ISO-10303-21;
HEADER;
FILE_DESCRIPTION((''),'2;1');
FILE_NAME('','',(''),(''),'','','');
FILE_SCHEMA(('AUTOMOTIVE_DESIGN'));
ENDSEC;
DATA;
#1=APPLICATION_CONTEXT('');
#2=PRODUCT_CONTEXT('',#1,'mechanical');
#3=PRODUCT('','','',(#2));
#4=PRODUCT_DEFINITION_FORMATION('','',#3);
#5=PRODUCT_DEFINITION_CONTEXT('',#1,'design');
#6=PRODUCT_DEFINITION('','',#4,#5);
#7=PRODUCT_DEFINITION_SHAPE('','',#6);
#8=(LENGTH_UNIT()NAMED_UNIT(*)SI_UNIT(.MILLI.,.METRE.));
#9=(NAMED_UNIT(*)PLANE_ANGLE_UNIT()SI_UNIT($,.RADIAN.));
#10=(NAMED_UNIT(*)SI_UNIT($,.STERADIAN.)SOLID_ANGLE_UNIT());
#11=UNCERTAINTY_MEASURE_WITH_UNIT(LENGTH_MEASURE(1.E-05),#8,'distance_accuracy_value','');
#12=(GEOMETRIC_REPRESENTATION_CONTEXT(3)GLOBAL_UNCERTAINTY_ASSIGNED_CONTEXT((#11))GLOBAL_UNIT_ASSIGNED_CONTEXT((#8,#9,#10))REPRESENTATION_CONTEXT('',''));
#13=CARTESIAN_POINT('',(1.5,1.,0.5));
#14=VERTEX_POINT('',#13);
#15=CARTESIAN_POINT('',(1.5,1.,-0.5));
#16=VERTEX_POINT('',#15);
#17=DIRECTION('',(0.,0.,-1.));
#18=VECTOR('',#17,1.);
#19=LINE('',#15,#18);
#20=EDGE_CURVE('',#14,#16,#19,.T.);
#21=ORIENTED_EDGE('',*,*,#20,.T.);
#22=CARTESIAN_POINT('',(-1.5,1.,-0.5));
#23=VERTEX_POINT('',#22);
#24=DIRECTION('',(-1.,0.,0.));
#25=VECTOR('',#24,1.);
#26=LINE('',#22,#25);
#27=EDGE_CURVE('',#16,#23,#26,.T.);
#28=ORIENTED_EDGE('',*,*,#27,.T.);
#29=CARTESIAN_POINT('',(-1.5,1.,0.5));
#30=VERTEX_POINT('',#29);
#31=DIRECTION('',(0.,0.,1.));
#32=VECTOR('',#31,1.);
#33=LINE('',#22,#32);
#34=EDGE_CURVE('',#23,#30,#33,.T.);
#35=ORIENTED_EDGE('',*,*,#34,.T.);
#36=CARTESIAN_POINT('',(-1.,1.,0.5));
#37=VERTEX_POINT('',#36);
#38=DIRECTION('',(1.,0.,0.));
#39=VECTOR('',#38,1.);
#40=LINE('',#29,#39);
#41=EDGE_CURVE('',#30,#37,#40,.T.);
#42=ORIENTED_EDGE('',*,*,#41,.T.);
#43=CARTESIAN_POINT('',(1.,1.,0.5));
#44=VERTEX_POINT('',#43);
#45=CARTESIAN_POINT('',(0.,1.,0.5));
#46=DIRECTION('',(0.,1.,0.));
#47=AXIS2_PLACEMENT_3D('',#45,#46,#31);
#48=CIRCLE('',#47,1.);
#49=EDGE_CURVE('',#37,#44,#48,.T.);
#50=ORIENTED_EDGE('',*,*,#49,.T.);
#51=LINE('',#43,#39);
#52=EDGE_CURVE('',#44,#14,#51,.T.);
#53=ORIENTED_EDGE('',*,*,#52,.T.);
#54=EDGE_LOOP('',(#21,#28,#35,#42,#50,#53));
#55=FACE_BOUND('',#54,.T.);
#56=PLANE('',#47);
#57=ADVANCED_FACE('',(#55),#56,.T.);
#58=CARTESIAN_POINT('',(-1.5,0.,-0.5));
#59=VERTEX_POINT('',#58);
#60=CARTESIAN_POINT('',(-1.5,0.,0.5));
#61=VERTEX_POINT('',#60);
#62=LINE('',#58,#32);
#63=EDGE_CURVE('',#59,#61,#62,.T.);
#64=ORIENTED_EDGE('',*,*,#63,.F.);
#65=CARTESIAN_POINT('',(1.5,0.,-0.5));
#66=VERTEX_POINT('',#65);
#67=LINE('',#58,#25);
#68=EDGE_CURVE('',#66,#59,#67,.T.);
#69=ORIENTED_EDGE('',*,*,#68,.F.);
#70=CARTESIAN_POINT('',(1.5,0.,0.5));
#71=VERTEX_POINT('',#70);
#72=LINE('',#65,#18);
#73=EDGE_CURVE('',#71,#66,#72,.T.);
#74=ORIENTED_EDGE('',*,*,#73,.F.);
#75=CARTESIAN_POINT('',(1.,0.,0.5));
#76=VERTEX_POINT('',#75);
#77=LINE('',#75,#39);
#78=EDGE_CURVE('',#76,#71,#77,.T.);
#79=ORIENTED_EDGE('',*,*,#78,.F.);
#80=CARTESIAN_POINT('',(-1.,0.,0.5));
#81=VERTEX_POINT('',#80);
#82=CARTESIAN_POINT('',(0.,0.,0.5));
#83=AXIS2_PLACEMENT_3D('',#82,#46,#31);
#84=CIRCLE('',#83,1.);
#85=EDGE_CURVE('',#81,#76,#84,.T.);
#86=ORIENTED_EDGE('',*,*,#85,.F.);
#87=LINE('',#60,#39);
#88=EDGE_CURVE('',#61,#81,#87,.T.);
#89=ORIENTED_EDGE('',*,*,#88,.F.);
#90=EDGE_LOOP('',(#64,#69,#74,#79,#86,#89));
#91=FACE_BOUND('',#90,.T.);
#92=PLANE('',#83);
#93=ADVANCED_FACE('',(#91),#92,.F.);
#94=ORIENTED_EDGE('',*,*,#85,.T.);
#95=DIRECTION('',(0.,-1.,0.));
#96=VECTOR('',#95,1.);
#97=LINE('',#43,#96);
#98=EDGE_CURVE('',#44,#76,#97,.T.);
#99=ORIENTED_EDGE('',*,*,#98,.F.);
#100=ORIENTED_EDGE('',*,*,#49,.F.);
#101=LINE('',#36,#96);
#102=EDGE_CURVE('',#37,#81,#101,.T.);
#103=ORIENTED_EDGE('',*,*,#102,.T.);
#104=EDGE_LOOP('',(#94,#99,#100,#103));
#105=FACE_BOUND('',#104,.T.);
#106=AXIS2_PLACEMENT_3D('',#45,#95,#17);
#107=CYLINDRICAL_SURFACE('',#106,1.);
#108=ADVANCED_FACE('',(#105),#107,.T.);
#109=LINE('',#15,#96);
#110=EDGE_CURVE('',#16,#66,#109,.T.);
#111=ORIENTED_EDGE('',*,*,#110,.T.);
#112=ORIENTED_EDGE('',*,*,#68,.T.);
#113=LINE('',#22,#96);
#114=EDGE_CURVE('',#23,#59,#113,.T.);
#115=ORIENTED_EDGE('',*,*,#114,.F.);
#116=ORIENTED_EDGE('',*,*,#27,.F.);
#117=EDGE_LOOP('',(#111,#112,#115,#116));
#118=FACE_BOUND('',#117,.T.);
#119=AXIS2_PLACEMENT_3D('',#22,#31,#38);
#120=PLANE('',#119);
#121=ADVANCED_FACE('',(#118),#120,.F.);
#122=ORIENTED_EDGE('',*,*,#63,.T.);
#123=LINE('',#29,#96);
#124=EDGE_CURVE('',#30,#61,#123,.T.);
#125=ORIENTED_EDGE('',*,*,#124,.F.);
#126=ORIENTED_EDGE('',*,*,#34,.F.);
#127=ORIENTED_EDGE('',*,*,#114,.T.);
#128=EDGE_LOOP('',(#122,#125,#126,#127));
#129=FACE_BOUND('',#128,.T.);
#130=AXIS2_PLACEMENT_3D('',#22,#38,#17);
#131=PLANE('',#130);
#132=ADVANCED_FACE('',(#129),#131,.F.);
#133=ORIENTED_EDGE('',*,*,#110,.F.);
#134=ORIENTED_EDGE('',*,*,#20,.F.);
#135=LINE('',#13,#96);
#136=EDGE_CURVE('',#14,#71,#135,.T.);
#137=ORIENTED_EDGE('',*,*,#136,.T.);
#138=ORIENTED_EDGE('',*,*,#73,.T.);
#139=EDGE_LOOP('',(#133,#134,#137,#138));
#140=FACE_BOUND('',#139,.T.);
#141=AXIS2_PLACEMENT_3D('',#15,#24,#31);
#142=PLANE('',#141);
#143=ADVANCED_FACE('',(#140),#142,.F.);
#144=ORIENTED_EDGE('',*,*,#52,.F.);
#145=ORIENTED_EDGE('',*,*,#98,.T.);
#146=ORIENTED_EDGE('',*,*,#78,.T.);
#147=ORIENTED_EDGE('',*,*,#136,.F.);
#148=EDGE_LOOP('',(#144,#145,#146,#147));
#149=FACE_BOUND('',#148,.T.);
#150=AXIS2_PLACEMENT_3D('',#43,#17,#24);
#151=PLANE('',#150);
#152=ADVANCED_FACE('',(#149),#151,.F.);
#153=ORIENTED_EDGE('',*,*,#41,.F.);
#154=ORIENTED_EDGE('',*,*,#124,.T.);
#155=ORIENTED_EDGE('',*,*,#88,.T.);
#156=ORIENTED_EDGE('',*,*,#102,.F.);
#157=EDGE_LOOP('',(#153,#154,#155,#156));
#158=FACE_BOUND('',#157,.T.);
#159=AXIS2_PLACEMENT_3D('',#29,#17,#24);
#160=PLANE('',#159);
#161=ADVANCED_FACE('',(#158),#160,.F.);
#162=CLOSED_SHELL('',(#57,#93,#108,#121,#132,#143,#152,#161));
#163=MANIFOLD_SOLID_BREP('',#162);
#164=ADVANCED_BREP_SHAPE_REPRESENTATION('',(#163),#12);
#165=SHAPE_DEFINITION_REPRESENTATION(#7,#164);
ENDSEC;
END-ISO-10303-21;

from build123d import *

# Parameters (mm, degrees)
BOSS_EXTRUDE1_DEPTH = 1


with BuildPart() as part:
    # Sketch1 → Boss-Extrude1 (new body)
    with BuildSketch(Plane(origin=(0, 0, 0), x_dir=(1, 0, 0), z_dir=(0, 1, 0))):
        with BuildLine():
            Line((-1.5, 0.5), (1.5, 0.5))
            Line((1.5, 0.5), (1.5, -0.5))
            Line((1.5, -0.5), (1, -0.5))
            ThreePointArc((1, -0.5), (0, -1.5), (-1, -0.5))
            Line((-1, -0.5), (-1.5, -0.5))
            Line((-1.5, -0.5), (-1.5, 0.5))
        make_face()
    extrude(amount=BOSS_EXTRUDE1_DEPTH)


solid = part.part
